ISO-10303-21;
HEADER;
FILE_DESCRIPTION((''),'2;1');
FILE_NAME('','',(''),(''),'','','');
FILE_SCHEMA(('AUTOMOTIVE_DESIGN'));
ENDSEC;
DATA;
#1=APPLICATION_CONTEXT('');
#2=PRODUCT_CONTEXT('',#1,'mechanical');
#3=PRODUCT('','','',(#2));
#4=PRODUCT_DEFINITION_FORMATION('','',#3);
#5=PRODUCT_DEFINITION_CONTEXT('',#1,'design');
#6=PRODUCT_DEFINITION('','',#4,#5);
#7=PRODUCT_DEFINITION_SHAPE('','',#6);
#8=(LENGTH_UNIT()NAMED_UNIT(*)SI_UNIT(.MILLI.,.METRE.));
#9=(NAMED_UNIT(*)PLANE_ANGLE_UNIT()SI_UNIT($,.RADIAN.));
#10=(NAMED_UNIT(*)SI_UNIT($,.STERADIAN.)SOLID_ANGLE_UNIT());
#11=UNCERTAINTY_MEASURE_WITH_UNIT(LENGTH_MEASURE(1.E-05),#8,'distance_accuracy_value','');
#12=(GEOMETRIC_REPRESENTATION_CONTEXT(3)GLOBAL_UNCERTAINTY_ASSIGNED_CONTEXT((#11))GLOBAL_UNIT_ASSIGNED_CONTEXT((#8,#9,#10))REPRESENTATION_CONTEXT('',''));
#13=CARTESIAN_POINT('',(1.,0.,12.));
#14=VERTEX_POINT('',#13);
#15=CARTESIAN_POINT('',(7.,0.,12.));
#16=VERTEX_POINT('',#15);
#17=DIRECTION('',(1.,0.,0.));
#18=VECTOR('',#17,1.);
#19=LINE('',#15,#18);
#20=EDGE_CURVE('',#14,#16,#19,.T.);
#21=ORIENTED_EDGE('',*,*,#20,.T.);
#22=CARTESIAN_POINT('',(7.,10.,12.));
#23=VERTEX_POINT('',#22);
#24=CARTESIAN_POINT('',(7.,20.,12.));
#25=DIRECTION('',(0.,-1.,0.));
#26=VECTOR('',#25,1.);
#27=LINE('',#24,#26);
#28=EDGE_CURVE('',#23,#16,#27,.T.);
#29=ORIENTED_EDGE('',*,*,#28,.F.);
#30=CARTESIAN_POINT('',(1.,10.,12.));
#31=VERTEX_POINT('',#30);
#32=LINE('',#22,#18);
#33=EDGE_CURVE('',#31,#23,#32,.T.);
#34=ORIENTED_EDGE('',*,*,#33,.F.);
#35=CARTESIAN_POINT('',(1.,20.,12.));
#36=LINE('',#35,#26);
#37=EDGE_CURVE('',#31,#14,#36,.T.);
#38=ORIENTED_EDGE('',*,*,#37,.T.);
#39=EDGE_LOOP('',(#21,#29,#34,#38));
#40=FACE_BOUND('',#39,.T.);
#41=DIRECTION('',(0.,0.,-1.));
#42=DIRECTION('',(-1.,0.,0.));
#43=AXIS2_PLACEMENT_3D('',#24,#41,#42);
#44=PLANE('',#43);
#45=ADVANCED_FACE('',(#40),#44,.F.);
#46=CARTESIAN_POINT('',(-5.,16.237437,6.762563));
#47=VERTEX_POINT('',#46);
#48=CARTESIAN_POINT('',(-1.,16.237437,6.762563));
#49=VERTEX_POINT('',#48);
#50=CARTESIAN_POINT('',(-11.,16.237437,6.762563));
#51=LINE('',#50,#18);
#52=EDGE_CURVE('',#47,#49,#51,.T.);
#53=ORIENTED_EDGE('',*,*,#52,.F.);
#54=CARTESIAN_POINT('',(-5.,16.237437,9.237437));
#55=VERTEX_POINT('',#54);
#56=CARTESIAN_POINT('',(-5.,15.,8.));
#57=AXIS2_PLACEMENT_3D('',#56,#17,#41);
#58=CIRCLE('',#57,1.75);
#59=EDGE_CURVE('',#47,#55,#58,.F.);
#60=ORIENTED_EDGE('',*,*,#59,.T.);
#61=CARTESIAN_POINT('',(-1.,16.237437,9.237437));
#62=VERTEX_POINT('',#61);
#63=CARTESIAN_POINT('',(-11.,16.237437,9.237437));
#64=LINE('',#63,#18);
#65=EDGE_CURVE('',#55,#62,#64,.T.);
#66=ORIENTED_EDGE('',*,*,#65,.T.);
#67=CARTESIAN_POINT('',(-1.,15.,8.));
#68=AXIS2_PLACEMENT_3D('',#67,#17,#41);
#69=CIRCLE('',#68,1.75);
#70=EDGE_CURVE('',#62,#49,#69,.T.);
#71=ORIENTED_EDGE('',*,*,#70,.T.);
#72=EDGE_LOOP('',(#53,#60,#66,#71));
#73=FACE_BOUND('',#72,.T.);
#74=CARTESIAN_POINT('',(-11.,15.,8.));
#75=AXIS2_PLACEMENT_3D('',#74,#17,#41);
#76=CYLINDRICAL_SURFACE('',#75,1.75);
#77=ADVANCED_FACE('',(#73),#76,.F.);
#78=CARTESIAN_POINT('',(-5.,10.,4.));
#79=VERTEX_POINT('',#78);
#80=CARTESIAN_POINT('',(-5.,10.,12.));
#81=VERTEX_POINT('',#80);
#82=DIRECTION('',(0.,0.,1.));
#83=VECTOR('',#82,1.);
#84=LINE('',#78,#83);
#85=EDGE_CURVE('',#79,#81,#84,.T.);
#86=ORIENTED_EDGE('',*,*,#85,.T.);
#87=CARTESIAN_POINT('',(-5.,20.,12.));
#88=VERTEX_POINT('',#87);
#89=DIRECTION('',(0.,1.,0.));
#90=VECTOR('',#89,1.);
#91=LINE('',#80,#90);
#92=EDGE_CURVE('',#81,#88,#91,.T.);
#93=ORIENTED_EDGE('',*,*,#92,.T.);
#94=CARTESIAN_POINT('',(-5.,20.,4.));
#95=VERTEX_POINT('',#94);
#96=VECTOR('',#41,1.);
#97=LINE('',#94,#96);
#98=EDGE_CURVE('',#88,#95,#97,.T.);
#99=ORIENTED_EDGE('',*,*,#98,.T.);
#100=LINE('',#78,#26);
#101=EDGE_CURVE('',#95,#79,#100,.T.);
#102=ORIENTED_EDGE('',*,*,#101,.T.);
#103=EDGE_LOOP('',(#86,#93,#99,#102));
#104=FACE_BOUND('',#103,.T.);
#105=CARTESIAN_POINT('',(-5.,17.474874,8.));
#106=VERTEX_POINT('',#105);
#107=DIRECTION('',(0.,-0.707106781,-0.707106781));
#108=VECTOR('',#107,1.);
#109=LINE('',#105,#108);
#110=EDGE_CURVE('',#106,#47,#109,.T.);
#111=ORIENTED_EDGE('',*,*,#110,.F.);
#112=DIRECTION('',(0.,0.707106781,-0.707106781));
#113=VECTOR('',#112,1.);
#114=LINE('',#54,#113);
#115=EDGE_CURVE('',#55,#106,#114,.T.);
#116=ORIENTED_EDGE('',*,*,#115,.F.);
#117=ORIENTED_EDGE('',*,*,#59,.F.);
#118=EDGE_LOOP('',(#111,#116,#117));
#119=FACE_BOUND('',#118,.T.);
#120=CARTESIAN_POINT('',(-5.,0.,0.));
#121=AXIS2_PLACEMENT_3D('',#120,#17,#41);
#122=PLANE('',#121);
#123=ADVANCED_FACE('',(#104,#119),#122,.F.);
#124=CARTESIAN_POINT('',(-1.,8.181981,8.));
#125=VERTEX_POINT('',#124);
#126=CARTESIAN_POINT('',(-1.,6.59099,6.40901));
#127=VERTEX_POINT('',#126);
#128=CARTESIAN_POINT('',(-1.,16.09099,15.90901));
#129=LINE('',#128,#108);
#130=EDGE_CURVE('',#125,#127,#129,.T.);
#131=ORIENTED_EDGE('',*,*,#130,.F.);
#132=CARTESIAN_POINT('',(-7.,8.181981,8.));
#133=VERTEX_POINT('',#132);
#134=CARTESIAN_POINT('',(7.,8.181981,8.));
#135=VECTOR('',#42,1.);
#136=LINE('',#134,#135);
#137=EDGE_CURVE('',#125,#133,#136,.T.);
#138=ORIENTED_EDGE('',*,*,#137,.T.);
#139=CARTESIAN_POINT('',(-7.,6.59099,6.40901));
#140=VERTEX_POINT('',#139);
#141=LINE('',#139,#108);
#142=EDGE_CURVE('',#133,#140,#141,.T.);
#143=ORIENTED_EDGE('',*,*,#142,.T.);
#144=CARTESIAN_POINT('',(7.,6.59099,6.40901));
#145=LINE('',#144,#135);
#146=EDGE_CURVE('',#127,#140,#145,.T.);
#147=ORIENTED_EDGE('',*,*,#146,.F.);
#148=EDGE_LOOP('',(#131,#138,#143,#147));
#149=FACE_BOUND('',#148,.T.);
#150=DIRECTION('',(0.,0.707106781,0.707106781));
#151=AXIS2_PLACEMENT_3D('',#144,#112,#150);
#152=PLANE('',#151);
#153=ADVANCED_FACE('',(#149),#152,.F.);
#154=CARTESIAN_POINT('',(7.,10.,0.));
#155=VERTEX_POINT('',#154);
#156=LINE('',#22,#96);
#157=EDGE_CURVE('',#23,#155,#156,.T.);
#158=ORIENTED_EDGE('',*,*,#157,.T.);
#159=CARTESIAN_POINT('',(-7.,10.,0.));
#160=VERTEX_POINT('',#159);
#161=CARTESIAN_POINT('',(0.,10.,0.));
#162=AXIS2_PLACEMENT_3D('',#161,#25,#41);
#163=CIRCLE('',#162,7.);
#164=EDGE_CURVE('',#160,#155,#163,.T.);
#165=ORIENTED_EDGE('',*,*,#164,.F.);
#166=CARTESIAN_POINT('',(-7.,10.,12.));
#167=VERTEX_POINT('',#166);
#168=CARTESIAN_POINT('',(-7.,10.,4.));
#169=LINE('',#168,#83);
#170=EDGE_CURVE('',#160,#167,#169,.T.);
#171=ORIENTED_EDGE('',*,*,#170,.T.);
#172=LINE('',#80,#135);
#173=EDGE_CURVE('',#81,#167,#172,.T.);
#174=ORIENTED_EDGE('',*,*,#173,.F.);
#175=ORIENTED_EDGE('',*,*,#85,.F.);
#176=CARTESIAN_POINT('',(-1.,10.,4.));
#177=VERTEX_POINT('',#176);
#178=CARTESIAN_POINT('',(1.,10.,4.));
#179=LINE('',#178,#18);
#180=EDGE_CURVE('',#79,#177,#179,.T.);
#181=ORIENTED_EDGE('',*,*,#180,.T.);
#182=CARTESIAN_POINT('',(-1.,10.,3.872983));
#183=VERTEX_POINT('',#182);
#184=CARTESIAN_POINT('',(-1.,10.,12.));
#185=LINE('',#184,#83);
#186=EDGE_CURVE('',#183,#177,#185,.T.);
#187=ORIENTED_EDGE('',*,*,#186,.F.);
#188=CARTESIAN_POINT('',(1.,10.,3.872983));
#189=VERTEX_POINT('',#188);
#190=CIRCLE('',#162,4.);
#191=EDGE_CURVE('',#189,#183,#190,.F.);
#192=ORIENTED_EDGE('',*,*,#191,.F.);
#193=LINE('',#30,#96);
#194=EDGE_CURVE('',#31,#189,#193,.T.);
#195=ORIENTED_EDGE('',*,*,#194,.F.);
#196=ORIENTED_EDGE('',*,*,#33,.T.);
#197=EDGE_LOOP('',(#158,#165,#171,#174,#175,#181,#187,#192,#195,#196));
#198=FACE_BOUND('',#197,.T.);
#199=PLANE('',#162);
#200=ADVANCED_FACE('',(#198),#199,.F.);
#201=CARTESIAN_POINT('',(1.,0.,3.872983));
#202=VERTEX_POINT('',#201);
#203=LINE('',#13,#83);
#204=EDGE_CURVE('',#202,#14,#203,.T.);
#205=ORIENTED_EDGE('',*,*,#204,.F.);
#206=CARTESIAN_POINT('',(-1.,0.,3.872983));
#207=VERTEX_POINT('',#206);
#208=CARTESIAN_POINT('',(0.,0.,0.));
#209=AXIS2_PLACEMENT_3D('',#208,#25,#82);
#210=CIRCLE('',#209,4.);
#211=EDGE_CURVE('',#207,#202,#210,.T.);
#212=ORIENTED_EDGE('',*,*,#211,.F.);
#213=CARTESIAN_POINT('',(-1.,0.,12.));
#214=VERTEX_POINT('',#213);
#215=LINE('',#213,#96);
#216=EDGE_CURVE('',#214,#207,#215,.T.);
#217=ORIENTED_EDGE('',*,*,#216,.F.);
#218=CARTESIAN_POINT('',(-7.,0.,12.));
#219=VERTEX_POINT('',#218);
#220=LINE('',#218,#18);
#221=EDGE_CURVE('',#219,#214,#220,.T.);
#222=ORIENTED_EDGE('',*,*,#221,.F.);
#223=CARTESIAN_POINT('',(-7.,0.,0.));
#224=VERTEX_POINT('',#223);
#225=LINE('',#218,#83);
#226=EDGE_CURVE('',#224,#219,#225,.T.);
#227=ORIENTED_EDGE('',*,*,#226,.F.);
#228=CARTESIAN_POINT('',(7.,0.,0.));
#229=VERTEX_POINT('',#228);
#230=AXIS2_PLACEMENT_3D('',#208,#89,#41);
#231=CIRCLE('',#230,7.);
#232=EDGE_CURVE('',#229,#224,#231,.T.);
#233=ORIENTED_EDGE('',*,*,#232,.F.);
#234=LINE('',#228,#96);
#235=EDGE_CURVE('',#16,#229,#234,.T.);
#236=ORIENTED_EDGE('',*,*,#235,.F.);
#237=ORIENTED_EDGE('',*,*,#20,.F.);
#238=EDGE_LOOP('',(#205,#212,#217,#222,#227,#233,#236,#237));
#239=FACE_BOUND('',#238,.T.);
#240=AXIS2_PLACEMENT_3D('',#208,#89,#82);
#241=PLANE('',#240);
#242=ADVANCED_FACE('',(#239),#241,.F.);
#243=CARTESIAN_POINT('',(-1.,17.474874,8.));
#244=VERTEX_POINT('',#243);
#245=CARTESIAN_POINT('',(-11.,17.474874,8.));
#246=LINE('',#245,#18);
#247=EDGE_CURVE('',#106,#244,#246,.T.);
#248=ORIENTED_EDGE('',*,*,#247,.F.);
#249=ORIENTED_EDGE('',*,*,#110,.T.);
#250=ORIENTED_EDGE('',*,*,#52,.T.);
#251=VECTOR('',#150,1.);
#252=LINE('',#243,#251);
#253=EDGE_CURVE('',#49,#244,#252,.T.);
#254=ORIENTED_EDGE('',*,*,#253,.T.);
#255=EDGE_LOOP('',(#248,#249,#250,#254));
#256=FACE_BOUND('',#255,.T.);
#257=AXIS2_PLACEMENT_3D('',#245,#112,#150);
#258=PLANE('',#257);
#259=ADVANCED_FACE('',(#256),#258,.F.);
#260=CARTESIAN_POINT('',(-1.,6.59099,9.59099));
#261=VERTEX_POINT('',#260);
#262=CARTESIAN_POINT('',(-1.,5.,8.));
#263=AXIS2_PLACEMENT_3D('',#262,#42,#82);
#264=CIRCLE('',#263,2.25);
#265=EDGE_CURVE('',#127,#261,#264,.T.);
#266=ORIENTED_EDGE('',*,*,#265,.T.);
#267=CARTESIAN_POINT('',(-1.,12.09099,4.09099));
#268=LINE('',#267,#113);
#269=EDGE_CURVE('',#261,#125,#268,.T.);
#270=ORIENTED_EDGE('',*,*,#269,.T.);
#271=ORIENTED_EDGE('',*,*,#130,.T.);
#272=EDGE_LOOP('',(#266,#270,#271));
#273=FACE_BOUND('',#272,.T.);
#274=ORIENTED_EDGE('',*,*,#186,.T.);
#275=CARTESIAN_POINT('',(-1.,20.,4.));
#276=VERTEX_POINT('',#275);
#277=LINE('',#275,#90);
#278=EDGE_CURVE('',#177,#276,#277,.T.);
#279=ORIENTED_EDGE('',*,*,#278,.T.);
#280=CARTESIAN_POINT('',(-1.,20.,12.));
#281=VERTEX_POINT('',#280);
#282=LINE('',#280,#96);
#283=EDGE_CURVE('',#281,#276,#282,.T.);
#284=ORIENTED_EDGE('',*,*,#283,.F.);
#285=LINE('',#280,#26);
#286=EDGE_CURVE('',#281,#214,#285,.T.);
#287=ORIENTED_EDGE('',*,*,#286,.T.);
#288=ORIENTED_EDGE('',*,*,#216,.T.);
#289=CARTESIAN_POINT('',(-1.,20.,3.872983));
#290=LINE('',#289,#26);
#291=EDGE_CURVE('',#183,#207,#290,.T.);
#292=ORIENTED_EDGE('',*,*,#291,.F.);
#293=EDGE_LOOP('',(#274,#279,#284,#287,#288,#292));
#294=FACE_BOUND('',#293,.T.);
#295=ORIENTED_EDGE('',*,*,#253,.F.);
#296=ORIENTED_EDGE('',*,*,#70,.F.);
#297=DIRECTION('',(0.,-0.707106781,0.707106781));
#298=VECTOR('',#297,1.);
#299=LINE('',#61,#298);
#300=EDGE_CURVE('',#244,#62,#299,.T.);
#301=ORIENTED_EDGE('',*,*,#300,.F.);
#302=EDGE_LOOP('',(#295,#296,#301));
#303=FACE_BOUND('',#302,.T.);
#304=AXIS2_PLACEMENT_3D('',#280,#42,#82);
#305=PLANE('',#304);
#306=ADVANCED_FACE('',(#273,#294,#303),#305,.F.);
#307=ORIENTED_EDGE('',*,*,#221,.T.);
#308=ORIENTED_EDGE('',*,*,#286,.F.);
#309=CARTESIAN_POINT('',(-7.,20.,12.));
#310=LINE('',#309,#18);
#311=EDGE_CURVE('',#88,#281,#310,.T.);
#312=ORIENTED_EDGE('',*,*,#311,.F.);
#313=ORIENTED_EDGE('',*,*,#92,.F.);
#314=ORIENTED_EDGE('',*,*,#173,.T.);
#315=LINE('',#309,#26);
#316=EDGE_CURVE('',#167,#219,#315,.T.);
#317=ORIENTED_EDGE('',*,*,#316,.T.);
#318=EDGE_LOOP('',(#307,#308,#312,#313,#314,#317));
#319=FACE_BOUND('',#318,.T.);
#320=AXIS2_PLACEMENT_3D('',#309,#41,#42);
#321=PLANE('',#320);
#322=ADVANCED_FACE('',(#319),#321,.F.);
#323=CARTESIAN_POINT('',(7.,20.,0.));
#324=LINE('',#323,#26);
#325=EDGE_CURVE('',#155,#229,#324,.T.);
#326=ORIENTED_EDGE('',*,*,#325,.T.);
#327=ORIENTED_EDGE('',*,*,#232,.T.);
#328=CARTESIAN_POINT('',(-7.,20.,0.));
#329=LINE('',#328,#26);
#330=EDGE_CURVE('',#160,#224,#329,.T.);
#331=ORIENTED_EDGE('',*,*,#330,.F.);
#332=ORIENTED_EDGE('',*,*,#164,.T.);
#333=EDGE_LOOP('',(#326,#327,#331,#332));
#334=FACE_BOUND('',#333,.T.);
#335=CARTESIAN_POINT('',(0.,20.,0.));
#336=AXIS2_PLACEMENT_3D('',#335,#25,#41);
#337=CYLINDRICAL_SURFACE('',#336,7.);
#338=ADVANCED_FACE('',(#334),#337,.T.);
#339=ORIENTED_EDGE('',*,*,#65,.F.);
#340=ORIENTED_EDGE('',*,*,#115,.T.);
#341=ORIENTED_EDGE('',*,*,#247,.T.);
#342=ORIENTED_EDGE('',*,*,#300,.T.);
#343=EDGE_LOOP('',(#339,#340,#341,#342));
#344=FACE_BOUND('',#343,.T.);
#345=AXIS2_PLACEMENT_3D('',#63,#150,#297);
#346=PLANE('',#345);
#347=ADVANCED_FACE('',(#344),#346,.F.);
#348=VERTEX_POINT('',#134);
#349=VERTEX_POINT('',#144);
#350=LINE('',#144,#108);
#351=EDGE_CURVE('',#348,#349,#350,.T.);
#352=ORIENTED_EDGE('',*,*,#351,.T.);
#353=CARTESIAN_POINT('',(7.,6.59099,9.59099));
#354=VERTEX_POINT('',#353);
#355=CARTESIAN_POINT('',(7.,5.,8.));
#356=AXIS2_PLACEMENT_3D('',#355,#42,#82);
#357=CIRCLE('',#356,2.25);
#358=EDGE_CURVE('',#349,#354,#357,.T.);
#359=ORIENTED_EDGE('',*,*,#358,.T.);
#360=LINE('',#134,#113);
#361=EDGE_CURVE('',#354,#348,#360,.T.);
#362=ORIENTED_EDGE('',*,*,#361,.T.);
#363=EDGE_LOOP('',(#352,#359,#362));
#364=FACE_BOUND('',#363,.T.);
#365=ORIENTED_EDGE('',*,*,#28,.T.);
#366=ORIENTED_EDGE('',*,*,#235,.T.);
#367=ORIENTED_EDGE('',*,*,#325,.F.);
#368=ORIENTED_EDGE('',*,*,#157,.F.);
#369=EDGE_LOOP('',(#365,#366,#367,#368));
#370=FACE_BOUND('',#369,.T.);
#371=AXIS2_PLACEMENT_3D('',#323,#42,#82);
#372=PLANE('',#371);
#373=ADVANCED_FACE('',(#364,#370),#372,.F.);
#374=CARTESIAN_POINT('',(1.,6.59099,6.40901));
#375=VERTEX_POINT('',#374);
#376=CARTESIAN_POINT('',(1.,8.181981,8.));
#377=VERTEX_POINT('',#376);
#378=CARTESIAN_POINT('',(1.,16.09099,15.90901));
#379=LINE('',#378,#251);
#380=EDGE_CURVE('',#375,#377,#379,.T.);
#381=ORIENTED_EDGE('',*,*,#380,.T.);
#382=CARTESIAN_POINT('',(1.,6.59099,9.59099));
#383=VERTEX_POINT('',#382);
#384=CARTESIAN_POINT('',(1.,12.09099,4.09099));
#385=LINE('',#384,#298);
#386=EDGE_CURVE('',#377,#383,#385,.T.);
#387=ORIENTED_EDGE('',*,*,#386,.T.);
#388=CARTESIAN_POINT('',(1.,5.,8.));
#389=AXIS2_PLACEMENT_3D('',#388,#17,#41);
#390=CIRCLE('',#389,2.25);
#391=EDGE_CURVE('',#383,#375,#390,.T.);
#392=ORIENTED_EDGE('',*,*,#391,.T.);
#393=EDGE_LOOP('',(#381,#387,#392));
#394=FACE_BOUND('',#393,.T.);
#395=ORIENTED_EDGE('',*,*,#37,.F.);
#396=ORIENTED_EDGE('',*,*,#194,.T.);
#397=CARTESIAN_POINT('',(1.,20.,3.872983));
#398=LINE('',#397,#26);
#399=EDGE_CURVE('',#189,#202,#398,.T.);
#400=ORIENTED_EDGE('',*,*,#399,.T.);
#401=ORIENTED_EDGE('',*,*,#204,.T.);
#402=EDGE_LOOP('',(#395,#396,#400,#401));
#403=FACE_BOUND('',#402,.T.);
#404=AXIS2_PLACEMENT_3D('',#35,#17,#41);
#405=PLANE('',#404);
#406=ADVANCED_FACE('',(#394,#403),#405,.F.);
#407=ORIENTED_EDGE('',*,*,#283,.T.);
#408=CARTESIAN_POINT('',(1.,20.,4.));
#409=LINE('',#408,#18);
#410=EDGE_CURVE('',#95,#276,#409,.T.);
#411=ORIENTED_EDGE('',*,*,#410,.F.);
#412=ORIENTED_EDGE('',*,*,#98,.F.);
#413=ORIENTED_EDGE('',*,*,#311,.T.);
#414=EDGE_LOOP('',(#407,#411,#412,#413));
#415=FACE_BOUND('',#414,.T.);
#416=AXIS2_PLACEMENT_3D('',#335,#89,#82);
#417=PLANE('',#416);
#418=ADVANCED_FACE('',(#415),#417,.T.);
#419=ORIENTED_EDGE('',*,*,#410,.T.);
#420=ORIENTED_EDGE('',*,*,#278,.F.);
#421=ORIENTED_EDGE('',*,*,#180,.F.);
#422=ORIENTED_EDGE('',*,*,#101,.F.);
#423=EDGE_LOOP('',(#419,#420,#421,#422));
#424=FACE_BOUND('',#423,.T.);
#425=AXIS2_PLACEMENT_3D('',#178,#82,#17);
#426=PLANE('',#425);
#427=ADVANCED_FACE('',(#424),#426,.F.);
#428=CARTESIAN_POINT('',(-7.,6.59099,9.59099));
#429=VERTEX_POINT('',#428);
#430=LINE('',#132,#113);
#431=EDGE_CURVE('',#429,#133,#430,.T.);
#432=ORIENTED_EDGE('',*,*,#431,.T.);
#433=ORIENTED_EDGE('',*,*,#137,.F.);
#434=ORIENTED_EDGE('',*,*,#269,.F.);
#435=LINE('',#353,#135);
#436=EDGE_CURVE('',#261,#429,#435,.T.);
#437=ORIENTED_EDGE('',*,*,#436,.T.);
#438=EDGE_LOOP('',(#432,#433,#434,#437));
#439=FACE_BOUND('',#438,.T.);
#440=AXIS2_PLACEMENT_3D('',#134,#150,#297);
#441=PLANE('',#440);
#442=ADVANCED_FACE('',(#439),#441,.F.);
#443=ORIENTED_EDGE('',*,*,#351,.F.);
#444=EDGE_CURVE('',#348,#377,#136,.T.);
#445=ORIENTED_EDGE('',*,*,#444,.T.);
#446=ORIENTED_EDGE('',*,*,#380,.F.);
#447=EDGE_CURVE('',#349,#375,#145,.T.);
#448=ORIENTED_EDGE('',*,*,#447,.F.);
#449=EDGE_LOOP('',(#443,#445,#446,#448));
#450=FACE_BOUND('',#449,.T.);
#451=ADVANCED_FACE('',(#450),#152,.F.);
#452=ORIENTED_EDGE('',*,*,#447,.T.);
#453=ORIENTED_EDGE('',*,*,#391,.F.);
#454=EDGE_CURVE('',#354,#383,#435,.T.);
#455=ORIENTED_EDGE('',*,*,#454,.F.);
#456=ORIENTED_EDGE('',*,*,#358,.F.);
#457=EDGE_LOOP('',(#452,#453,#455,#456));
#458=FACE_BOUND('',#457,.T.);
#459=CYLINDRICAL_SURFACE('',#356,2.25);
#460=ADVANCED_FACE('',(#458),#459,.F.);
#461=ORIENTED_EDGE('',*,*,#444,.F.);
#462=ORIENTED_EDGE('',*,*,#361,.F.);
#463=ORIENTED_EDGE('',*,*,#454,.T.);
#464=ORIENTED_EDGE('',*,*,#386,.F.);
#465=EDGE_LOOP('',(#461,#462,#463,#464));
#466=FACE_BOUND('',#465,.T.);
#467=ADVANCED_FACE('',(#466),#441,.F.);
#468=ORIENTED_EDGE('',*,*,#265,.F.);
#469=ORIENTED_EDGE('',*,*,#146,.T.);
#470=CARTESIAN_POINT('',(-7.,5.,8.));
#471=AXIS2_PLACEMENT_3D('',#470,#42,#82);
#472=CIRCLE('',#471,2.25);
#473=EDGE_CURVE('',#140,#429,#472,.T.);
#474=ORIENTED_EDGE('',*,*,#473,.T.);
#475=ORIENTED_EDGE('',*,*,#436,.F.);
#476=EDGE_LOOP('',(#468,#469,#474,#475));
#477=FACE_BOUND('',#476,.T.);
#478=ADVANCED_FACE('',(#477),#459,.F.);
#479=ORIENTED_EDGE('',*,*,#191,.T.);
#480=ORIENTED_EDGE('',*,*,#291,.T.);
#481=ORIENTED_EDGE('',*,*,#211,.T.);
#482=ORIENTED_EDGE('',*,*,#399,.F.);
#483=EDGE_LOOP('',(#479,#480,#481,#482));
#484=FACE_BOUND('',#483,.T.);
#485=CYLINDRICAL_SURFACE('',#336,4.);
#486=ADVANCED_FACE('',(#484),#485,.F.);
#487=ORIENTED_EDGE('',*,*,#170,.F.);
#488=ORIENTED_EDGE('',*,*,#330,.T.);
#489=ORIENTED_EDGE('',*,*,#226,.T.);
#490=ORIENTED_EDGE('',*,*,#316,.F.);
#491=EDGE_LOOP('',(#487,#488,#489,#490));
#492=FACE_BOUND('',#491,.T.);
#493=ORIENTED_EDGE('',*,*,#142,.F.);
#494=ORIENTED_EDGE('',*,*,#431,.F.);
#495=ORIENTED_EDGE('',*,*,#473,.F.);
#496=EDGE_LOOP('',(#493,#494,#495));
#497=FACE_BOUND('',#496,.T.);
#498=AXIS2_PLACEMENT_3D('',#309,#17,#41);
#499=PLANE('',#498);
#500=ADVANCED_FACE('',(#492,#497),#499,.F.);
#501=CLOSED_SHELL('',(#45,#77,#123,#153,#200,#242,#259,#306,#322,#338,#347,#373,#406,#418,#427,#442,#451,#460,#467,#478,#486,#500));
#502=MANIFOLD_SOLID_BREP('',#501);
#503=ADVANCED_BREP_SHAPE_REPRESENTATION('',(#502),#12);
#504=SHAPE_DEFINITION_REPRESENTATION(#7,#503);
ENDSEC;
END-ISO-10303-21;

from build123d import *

# Parameters (mm, degrees)
BOSS_EXTRUDE1_DEPTH = 20
CUT_EXTRUDE1_DEPTH  = 28.202941017
CUT_EXTRUDE2_DEPTH  = 10
CUT_EXTRUDE3_DEPTH  = 10
SKETCH5_W           = 8
SKETCH5_H           = 10
CUT_EXTRUDE4_DEPTH  = 2


with BuildPart() as part:
    # Sketch1 → Boss-Extrude1 (new body)
    with BuildSketch(Plane(origin=(0, 0, 0), x_dir=(1, 0, 0), z_dir=(0, 1, 0))):
        with BuildLine():
            Line((-7, -12), (-7, 0))
            ThreePointArc((-7, 0), (0, 7), (7, 0))
            Line((7, 0), (7, -12))
            Line((7, -12), (1, -12))
            Line((1, -12), (1, -3.872983346))
            ThreePointArc((1, -3.872983346), (0, 4), (-1, -3.872983346))
            Line((-1, -3.872983346), (-1, -12))
            Line((-1, -12), (-7, -12))
        make_face()
    extrude(amount=BOSS_EXTRUDE1_DEPTH)

    # Sketch2 → Cut-Extrude1 (cut, through all)
    with BuildSketch(Plane.ZY.offset(7)):
        with BuildLine():
            Line((6.409009742, 6.590990258), (8, 8.181980515))
            Line((8, 8.181980515), (9.590990258, 6.590990258))
            ThreePointArc((9.590990258, 6.590990258), (8, 2.75), (6.409009742, 6.590990258))
        make_face()
    extrude(amount=-CUT_EXTRUDE1_DEPTH, mode=Mode.SUBTRACT)

    # Sketch3 → Cut-Extrude2 (cut)
    with BuildSketch(Plane(origin=(0, 20, 0), x_dir=(1, 0, 0), z_dir=(0, 1, 0))):
        Polygon((1, -4), (-7, -4), (-7, 7), (7, 7), (7, 0), (7, -12), (1, -12), align=None)
    extrude(amount=-CUT_EXTRUDE2_DEPTH, mode=Mode.SUBTRACT)

    # Sketch4 → Cut-Extrude3 (cut)
    with BuildSketch(Plane(origin=(-1, 0, 0), x_dir=(0, 0, -1), z_dir=(1, 0, 0))):
        with BuildLine():
            Line((-9.237436867, 16.237436867), (-8, 17.474873734))
            Line((-8, 17.474873734), (-6.762563133, 16.237436867))
            ThreePointArc((-6.762563133, 16.237436867), (-8, 13.25), (-9.237436867, 16.237436867))
        make_face()
    extrude(amount=-CUT_EXTRUDE3_DEPTH, mode=Mode.SUBTRACT)

    # Sketch5 → Cut-Extrude4 (cut)
    with BuildSketch(Plane.ZY.offset(7)):
        with Locations((8, 15)):
            Rectangle(SKETCH5_W, SKETCH5_H)
    extrude(amount=-CUT_EXTRUDE4_DEPTH, mode=Mode.SUBTRACT)


solid = part.part
